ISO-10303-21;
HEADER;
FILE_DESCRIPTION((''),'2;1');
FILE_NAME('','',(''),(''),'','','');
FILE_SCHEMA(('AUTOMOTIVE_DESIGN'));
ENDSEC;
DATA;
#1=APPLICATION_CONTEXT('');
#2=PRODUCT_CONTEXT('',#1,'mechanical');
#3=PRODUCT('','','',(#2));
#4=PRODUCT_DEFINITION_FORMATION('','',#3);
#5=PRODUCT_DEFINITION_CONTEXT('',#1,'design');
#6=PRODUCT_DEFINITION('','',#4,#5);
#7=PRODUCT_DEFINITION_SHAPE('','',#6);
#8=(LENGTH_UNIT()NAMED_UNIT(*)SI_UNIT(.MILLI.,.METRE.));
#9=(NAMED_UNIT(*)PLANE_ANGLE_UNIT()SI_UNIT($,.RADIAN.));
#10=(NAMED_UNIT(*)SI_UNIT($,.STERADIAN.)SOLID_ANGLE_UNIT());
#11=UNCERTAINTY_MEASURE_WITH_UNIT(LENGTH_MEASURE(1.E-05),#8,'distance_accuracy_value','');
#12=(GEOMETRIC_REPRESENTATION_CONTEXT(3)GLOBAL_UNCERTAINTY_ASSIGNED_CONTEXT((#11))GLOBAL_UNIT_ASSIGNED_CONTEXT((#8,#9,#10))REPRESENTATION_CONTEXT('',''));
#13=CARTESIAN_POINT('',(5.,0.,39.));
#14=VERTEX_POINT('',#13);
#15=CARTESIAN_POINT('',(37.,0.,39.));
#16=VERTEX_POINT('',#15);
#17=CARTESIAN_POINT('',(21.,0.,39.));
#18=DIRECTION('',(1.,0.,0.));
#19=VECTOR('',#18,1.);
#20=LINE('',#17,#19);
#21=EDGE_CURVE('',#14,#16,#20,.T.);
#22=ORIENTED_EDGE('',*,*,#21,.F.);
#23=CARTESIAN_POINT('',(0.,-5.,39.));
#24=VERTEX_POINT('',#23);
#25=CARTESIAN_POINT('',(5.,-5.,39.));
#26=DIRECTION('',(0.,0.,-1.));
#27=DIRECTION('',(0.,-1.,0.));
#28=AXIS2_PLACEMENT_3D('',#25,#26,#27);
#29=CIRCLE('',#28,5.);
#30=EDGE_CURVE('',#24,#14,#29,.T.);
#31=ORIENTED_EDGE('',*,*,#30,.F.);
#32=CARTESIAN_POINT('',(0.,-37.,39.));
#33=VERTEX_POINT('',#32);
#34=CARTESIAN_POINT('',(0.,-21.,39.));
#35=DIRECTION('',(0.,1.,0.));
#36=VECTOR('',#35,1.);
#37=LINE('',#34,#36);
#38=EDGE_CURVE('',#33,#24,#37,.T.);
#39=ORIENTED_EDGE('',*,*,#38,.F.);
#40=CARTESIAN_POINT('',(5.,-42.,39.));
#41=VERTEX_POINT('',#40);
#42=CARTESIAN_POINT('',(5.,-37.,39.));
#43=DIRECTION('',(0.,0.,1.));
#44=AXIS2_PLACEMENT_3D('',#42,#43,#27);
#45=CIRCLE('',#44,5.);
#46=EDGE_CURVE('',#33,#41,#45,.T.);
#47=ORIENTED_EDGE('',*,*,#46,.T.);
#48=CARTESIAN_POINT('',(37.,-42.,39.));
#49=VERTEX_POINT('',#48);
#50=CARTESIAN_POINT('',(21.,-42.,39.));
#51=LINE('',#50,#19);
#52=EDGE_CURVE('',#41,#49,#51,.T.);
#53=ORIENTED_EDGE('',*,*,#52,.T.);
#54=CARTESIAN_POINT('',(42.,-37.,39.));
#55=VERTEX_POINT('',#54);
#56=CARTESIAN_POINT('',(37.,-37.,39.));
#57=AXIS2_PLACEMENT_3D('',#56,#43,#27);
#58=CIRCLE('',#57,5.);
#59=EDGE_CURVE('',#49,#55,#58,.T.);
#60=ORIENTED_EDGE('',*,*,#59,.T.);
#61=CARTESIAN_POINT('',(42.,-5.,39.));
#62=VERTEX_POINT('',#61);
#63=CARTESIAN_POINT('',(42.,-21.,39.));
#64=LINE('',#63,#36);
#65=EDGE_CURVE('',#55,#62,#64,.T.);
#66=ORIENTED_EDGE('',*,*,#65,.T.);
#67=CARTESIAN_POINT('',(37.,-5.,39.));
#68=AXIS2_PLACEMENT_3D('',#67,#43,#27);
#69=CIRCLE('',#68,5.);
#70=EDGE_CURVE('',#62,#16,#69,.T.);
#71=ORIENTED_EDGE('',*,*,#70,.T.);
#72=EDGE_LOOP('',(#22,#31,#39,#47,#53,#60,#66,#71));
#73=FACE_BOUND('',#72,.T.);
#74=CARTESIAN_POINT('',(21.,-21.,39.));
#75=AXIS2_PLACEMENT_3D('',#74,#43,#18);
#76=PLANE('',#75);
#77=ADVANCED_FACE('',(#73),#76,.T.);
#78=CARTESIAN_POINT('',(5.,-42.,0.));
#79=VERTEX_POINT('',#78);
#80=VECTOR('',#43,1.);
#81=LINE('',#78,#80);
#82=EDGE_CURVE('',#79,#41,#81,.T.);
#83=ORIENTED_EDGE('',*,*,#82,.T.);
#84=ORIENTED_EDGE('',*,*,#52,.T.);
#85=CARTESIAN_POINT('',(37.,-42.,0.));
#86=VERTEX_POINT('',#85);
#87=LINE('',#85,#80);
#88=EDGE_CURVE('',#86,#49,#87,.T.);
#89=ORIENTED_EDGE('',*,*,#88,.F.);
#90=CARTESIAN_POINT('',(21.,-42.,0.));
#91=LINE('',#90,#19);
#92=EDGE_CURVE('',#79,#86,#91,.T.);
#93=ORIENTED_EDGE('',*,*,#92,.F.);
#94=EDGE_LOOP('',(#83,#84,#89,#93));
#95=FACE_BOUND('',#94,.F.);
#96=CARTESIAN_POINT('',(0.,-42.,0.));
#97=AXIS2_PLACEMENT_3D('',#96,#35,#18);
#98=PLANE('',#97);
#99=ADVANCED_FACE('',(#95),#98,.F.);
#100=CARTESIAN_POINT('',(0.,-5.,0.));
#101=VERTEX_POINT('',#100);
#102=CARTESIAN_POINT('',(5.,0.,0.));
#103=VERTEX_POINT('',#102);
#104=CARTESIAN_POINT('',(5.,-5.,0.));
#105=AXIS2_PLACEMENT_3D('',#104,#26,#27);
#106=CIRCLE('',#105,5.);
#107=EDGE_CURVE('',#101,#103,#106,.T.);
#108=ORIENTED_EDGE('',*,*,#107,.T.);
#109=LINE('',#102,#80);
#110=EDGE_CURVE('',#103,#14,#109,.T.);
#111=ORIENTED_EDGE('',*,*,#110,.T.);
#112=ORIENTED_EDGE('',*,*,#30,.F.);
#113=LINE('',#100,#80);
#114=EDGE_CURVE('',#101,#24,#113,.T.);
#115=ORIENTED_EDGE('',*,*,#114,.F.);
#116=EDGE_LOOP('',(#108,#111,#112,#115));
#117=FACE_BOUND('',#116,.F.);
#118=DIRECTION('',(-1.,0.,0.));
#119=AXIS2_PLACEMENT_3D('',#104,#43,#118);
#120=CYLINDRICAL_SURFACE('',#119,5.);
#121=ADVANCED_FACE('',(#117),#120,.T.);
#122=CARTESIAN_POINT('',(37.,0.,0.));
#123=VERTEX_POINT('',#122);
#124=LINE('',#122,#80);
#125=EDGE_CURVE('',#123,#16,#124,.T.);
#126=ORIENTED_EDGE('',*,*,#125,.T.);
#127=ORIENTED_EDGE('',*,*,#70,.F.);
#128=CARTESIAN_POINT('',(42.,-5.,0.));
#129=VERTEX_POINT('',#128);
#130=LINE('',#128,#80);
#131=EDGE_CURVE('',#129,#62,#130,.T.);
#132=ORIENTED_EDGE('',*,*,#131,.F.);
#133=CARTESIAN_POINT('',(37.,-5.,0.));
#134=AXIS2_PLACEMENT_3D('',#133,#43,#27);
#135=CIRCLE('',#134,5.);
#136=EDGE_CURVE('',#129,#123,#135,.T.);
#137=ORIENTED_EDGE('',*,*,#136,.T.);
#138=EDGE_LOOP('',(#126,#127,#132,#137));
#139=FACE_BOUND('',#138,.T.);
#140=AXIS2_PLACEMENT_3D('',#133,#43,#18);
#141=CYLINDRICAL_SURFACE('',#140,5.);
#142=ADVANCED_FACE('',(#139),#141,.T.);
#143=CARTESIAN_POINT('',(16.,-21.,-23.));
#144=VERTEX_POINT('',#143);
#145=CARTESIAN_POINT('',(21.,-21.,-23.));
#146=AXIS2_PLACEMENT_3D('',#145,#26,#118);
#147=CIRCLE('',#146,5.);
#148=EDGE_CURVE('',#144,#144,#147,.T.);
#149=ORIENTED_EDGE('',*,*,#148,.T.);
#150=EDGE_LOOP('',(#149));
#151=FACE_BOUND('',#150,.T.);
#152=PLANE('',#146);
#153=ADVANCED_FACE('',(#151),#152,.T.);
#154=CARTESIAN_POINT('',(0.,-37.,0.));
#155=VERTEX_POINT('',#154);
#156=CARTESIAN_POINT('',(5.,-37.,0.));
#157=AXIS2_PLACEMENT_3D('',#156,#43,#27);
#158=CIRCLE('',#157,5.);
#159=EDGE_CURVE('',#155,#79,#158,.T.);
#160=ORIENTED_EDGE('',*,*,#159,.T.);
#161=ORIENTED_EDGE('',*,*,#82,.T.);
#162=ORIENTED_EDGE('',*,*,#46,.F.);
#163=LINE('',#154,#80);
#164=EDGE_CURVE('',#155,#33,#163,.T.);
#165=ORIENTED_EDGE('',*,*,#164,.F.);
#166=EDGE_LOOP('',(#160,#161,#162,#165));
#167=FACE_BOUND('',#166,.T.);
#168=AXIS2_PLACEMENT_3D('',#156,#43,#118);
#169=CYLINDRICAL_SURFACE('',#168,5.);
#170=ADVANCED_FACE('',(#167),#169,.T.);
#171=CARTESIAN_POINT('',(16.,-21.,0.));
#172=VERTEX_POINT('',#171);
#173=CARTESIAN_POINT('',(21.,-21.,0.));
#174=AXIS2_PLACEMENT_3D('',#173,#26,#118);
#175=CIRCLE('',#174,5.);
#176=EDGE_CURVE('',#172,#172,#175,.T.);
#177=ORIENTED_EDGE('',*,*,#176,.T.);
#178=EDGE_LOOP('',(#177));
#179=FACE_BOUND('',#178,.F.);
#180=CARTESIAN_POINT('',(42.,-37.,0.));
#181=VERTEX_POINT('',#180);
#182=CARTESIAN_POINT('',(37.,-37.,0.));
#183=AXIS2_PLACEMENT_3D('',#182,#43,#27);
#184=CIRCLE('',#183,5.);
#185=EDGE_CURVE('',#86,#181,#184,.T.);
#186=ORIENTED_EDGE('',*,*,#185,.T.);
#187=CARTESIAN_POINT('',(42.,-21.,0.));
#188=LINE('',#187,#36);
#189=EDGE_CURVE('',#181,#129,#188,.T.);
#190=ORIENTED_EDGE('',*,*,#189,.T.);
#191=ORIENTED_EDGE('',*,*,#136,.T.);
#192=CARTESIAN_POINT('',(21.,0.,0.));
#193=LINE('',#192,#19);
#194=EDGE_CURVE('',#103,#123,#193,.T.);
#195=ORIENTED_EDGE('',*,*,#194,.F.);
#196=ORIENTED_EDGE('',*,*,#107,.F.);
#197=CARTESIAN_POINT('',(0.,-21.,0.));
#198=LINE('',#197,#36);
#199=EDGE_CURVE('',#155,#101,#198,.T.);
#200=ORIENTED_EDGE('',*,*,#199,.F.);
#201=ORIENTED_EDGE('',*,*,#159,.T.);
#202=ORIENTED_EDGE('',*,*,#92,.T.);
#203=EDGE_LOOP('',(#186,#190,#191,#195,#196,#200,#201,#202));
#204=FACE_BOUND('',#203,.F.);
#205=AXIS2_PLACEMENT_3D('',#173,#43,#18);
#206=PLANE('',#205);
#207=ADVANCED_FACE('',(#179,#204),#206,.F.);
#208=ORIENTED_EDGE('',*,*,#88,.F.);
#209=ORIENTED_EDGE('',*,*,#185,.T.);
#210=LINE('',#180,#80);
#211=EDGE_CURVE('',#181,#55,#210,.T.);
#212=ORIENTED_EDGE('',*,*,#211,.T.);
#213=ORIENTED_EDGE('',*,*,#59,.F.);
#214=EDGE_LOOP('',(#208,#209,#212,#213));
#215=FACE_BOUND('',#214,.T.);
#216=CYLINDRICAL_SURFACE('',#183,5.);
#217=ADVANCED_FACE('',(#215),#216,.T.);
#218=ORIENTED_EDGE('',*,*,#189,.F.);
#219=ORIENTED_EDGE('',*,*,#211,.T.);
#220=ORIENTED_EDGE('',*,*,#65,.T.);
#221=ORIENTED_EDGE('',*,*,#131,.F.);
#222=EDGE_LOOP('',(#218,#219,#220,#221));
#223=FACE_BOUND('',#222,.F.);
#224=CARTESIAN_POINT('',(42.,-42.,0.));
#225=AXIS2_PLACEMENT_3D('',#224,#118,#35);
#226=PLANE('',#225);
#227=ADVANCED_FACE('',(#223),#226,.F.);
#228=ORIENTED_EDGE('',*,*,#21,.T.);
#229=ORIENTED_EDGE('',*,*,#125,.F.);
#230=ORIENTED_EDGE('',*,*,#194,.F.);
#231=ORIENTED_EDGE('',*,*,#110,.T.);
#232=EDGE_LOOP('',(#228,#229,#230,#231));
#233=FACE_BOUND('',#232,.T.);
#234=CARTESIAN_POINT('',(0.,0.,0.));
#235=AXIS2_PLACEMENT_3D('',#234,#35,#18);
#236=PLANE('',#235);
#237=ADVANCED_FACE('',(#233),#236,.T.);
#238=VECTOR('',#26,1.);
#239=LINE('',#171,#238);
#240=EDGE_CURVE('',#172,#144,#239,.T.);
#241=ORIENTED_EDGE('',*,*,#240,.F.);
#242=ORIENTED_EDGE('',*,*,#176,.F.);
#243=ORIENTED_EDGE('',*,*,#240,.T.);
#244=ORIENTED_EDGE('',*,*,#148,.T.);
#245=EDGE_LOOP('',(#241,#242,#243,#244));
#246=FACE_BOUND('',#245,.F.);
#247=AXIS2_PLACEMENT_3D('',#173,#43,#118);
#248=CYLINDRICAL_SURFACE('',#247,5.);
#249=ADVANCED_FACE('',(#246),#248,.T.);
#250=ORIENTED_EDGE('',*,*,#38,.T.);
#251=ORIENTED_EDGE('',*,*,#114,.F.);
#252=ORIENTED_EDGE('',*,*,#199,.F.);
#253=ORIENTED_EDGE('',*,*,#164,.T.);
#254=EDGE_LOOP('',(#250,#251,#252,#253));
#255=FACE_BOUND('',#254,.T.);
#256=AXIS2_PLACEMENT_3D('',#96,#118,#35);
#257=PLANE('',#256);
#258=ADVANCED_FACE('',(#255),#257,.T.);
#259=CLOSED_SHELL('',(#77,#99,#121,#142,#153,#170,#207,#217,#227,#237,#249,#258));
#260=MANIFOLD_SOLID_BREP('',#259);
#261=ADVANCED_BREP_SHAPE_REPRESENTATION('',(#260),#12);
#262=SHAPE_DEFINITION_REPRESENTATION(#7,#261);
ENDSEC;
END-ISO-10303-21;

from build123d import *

# Parameters (mm, degrees)
ESQUISSE1_W        = 42
ESQUISSE1_H        = 42
BOSS_EXTRU_1_DEPTH = 39
CONG_1_R           = 5
ESQUISSE2_R        = 5
BOSS_EXTRU_2_DEPTH = 23


with BuildPart() as part:
    # Esquisse1 → Boss.-Extru.1 (new body)
    with BuildSketch(Plane.XY):
        with Locations((21, -21)):
            Rectangle(ESQUISSE1_W, ESQUISSE1_H)
    extrude(amount=BOSS_EXTRU_1_DEPTH)

    # Congé1
    cong_1_edges = [part.edges().sort_by_distance(p)[0] for p in [
        (0, 0, 19.5),
        (42, 0, 19.5),
        (42, -42, 19.5),
        (0, -42, 19.5),
    ]]
    fillet(cong_1_edges, radius=CONG_1_R)

    # Esquisse2 → Boss.-Extru.2 (add)
    with BuildSketch(Plane(origin=(0, 0, 0), x_dir=(-1, 0, 0), z_dir=(0, 0, -1))):
        with Locations((-21, -21)):
            Circle(ESQUISSE2_R)
    extrude(amount=BOSS_EXTRU_2_DEPTH)


solid = part.part
